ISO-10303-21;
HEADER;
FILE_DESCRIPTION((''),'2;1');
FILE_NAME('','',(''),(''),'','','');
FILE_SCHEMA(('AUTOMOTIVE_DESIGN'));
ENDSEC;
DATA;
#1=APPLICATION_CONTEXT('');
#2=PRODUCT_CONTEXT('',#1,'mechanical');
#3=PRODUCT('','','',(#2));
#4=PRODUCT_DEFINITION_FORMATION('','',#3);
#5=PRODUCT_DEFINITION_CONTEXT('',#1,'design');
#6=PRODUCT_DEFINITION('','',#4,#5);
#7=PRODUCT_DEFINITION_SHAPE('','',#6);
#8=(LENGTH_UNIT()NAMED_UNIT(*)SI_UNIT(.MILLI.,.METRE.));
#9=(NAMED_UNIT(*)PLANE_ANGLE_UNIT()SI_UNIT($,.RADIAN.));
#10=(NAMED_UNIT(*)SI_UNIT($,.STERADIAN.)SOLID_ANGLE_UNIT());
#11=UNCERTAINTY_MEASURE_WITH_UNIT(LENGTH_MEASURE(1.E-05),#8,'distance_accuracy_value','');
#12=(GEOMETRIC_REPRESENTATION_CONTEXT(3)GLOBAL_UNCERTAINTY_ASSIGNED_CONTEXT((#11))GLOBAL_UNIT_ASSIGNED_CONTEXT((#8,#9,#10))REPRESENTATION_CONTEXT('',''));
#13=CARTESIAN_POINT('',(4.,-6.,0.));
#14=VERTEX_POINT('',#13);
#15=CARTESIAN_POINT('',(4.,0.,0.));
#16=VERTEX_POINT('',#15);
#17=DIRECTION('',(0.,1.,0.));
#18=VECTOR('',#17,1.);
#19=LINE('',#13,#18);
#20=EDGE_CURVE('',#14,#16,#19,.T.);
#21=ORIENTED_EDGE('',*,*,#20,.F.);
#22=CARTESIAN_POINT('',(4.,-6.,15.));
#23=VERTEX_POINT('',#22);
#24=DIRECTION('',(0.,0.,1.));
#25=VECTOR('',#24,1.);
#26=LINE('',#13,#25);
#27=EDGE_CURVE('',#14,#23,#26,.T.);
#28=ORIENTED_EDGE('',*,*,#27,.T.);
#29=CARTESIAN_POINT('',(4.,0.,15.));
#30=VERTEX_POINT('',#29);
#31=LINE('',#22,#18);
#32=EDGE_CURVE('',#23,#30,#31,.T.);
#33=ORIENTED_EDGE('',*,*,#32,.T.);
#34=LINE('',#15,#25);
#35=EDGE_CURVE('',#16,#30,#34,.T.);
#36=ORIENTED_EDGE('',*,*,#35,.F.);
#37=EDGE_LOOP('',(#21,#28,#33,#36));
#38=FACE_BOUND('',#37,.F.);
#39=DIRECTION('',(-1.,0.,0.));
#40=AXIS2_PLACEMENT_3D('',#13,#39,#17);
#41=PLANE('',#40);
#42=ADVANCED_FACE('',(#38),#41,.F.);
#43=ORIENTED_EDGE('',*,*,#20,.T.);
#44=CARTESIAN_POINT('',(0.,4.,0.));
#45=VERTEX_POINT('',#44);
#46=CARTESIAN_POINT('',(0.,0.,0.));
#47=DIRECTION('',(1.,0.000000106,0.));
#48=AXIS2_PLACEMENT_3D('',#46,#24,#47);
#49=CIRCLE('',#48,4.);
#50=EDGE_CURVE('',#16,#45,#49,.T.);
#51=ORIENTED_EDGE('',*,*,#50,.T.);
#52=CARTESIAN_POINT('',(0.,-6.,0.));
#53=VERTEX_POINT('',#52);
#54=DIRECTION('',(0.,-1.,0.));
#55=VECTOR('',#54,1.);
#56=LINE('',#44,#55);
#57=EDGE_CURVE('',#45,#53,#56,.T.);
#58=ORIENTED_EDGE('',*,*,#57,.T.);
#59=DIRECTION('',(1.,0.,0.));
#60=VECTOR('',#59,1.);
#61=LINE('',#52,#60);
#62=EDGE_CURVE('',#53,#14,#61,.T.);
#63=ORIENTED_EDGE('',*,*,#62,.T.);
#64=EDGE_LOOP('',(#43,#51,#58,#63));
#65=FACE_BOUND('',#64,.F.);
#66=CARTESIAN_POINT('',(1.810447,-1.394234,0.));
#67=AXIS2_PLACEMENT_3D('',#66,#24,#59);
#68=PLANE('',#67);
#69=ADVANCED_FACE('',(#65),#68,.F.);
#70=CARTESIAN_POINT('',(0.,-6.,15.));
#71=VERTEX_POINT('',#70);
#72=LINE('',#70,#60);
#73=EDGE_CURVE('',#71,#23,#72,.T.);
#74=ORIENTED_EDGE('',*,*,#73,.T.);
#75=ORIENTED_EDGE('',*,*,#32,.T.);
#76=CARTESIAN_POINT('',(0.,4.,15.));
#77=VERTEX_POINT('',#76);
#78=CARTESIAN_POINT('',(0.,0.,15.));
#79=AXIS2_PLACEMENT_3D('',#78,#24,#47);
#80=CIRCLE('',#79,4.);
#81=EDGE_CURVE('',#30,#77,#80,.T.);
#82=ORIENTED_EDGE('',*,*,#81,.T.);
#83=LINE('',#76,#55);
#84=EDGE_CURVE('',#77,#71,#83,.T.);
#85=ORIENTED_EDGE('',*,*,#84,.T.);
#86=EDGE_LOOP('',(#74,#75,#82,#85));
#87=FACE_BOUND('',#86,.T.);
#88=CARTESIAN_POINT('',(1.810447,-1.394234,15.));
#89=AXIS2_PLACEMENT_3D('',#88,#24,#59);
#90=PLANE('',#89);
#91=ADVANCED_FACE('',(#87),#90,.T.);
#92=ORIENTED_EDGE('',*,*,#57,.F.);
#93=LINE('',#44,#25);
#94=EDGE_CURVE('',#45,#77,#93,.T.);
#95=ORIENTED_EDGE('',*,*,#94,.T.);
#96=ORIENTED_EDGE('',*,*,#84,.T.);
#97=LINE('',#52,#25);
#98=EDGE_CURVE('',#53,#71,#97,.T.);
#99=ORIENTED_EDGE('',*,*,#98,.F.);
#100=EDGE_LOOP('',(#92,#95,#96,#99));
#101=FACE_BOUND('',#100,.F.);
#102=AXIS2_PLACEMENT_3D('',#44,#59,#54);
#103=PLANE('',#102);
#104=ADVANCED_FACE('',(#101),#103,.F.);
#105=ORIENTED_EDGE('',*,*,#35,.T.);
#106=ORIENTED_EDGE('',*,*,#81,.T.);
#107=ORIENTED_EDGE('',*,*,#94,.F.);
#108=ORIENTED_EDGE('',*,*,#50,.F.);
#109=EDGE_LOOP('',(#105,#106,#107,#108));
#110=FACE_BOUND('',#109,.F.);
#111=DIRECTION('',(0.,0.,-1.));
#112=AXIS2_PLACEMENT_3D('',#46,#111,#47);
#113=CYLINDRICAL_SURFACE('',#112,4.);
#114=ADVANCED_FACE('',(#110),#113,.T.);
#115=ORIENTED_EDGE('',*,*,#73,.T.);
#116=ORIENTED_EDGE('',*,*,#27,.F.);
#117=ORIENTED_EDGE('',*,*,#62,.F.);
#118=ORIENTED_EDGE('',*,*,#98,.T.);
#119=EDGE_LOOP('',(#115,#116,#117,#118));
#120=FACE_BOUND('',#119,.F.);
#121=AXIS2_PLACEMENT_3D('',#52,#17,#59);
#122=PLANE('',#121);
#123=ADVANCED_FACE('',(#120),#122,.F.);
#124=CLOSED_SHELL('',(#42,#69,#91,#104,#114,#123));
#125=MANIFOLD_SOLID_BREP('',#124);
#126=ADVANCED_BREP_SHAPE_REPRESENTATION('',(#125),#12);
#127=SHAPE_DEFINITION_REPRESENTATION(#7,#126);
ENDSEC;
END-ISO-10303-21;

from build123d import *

# Parameters (mm, degrees)
F1_DEPTH = 15


with BuildPart() as f1:
    # F0 (on Top) → F1 (new body)
    with BuildSketch(Plane.XY):
        with BuildLine():
            Line((4, -6), (4, 0))
            ThreePointArc((4, 0), (2.828427, 2.828427), (0, 4))
            Line((0, 4), (0, 0))
            Line((0, 0), (0, -6))
            Line((0, -6), (4, -6))
        make_face()
    extrude(amount=F1_DEPTH)


solid = f1.part
